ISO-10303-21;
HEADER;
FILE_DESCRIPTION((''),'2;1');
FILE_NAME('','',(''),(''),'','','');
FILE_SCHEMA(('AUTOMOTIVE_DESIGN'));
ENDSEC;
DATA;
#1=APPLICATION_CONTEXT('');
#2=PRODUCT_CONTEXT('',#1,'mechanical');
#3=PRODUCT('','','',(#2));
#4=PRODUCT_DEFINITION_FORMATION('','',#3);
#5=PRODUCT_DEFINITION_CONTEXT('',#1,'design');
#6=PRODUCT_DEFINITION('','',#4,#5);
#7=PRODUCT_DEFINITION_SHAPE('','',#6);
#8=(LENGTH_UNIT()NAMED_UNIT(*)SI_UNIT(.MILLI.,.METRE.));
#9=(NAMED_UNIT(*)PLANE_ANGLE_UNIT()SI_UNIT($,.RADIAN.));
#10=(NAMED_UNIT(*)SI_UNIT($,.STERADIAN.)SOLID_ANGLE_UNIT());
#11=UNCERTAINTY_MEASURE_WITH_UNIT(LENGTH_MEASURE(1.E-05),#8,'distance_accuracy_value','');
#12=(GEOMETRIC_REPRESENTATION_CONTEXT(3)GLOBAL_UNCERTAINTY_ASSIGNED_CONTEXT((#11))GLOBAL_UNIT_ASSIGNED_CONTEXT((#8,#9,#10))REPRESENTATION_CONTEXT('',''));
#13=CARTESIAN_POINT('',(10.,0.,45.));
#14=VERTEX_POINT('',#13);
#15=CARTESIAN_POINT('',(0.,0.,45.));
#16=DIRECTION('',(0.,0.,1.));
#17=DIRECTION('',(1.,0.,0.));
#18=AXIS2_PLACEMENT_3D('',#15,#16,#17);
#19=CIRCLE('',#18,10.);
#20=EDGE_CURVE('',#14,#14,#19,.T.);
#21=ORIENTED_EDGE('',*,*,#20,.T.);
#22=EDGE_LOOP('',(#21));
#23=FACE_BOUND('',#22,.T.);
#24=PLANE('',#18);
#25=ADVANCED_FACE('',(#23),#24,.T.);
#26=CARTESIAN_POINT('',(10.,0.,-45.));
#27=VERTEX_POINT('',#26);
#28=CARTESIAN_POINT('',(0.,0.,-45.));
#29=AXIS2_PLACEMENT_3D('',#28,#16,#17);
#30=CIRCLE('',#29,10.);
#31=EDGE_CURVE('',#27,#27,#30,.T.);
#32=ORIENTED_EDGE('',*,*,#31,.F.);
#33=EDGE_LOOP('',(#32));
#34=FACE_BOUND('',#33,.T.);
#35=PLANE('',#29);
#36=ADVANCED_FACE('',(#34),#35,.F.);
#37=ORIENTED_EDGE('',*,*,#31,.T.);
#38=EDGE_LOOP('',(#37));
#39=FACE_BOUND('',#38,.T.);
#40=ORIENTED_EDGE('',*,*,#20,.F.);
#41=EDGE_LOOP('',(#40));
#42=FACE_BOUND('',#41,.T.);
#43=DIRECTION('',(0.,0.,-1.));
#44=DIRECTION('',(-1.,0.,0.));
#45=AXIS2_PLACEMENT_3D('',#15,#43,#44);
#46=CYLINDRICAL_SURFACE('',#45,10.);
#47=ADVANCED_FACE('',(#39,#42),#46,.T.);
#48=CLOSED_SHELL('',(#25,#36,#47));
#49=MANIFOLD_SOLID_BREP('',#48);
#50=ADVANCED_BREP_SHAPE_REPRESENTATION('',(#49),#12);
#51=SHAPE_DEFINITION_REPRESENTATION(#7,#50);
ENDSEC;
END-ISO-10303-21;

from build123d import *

# Parameters (mm, degrees)
SKETCH1_R           = 10
BOSS_EXTRUDE1_DEPTH = 45


with BuildPart() as part:
    # Sketch1 → Boss-Extrude1 (new body, symmetric)
    with BuildSketch(Plane.XY):
        Circle(SKETCH1_R)
    extrude(amount=BOSS_EXTRUDE1_DEPTH, both=True)


solid = part.part
